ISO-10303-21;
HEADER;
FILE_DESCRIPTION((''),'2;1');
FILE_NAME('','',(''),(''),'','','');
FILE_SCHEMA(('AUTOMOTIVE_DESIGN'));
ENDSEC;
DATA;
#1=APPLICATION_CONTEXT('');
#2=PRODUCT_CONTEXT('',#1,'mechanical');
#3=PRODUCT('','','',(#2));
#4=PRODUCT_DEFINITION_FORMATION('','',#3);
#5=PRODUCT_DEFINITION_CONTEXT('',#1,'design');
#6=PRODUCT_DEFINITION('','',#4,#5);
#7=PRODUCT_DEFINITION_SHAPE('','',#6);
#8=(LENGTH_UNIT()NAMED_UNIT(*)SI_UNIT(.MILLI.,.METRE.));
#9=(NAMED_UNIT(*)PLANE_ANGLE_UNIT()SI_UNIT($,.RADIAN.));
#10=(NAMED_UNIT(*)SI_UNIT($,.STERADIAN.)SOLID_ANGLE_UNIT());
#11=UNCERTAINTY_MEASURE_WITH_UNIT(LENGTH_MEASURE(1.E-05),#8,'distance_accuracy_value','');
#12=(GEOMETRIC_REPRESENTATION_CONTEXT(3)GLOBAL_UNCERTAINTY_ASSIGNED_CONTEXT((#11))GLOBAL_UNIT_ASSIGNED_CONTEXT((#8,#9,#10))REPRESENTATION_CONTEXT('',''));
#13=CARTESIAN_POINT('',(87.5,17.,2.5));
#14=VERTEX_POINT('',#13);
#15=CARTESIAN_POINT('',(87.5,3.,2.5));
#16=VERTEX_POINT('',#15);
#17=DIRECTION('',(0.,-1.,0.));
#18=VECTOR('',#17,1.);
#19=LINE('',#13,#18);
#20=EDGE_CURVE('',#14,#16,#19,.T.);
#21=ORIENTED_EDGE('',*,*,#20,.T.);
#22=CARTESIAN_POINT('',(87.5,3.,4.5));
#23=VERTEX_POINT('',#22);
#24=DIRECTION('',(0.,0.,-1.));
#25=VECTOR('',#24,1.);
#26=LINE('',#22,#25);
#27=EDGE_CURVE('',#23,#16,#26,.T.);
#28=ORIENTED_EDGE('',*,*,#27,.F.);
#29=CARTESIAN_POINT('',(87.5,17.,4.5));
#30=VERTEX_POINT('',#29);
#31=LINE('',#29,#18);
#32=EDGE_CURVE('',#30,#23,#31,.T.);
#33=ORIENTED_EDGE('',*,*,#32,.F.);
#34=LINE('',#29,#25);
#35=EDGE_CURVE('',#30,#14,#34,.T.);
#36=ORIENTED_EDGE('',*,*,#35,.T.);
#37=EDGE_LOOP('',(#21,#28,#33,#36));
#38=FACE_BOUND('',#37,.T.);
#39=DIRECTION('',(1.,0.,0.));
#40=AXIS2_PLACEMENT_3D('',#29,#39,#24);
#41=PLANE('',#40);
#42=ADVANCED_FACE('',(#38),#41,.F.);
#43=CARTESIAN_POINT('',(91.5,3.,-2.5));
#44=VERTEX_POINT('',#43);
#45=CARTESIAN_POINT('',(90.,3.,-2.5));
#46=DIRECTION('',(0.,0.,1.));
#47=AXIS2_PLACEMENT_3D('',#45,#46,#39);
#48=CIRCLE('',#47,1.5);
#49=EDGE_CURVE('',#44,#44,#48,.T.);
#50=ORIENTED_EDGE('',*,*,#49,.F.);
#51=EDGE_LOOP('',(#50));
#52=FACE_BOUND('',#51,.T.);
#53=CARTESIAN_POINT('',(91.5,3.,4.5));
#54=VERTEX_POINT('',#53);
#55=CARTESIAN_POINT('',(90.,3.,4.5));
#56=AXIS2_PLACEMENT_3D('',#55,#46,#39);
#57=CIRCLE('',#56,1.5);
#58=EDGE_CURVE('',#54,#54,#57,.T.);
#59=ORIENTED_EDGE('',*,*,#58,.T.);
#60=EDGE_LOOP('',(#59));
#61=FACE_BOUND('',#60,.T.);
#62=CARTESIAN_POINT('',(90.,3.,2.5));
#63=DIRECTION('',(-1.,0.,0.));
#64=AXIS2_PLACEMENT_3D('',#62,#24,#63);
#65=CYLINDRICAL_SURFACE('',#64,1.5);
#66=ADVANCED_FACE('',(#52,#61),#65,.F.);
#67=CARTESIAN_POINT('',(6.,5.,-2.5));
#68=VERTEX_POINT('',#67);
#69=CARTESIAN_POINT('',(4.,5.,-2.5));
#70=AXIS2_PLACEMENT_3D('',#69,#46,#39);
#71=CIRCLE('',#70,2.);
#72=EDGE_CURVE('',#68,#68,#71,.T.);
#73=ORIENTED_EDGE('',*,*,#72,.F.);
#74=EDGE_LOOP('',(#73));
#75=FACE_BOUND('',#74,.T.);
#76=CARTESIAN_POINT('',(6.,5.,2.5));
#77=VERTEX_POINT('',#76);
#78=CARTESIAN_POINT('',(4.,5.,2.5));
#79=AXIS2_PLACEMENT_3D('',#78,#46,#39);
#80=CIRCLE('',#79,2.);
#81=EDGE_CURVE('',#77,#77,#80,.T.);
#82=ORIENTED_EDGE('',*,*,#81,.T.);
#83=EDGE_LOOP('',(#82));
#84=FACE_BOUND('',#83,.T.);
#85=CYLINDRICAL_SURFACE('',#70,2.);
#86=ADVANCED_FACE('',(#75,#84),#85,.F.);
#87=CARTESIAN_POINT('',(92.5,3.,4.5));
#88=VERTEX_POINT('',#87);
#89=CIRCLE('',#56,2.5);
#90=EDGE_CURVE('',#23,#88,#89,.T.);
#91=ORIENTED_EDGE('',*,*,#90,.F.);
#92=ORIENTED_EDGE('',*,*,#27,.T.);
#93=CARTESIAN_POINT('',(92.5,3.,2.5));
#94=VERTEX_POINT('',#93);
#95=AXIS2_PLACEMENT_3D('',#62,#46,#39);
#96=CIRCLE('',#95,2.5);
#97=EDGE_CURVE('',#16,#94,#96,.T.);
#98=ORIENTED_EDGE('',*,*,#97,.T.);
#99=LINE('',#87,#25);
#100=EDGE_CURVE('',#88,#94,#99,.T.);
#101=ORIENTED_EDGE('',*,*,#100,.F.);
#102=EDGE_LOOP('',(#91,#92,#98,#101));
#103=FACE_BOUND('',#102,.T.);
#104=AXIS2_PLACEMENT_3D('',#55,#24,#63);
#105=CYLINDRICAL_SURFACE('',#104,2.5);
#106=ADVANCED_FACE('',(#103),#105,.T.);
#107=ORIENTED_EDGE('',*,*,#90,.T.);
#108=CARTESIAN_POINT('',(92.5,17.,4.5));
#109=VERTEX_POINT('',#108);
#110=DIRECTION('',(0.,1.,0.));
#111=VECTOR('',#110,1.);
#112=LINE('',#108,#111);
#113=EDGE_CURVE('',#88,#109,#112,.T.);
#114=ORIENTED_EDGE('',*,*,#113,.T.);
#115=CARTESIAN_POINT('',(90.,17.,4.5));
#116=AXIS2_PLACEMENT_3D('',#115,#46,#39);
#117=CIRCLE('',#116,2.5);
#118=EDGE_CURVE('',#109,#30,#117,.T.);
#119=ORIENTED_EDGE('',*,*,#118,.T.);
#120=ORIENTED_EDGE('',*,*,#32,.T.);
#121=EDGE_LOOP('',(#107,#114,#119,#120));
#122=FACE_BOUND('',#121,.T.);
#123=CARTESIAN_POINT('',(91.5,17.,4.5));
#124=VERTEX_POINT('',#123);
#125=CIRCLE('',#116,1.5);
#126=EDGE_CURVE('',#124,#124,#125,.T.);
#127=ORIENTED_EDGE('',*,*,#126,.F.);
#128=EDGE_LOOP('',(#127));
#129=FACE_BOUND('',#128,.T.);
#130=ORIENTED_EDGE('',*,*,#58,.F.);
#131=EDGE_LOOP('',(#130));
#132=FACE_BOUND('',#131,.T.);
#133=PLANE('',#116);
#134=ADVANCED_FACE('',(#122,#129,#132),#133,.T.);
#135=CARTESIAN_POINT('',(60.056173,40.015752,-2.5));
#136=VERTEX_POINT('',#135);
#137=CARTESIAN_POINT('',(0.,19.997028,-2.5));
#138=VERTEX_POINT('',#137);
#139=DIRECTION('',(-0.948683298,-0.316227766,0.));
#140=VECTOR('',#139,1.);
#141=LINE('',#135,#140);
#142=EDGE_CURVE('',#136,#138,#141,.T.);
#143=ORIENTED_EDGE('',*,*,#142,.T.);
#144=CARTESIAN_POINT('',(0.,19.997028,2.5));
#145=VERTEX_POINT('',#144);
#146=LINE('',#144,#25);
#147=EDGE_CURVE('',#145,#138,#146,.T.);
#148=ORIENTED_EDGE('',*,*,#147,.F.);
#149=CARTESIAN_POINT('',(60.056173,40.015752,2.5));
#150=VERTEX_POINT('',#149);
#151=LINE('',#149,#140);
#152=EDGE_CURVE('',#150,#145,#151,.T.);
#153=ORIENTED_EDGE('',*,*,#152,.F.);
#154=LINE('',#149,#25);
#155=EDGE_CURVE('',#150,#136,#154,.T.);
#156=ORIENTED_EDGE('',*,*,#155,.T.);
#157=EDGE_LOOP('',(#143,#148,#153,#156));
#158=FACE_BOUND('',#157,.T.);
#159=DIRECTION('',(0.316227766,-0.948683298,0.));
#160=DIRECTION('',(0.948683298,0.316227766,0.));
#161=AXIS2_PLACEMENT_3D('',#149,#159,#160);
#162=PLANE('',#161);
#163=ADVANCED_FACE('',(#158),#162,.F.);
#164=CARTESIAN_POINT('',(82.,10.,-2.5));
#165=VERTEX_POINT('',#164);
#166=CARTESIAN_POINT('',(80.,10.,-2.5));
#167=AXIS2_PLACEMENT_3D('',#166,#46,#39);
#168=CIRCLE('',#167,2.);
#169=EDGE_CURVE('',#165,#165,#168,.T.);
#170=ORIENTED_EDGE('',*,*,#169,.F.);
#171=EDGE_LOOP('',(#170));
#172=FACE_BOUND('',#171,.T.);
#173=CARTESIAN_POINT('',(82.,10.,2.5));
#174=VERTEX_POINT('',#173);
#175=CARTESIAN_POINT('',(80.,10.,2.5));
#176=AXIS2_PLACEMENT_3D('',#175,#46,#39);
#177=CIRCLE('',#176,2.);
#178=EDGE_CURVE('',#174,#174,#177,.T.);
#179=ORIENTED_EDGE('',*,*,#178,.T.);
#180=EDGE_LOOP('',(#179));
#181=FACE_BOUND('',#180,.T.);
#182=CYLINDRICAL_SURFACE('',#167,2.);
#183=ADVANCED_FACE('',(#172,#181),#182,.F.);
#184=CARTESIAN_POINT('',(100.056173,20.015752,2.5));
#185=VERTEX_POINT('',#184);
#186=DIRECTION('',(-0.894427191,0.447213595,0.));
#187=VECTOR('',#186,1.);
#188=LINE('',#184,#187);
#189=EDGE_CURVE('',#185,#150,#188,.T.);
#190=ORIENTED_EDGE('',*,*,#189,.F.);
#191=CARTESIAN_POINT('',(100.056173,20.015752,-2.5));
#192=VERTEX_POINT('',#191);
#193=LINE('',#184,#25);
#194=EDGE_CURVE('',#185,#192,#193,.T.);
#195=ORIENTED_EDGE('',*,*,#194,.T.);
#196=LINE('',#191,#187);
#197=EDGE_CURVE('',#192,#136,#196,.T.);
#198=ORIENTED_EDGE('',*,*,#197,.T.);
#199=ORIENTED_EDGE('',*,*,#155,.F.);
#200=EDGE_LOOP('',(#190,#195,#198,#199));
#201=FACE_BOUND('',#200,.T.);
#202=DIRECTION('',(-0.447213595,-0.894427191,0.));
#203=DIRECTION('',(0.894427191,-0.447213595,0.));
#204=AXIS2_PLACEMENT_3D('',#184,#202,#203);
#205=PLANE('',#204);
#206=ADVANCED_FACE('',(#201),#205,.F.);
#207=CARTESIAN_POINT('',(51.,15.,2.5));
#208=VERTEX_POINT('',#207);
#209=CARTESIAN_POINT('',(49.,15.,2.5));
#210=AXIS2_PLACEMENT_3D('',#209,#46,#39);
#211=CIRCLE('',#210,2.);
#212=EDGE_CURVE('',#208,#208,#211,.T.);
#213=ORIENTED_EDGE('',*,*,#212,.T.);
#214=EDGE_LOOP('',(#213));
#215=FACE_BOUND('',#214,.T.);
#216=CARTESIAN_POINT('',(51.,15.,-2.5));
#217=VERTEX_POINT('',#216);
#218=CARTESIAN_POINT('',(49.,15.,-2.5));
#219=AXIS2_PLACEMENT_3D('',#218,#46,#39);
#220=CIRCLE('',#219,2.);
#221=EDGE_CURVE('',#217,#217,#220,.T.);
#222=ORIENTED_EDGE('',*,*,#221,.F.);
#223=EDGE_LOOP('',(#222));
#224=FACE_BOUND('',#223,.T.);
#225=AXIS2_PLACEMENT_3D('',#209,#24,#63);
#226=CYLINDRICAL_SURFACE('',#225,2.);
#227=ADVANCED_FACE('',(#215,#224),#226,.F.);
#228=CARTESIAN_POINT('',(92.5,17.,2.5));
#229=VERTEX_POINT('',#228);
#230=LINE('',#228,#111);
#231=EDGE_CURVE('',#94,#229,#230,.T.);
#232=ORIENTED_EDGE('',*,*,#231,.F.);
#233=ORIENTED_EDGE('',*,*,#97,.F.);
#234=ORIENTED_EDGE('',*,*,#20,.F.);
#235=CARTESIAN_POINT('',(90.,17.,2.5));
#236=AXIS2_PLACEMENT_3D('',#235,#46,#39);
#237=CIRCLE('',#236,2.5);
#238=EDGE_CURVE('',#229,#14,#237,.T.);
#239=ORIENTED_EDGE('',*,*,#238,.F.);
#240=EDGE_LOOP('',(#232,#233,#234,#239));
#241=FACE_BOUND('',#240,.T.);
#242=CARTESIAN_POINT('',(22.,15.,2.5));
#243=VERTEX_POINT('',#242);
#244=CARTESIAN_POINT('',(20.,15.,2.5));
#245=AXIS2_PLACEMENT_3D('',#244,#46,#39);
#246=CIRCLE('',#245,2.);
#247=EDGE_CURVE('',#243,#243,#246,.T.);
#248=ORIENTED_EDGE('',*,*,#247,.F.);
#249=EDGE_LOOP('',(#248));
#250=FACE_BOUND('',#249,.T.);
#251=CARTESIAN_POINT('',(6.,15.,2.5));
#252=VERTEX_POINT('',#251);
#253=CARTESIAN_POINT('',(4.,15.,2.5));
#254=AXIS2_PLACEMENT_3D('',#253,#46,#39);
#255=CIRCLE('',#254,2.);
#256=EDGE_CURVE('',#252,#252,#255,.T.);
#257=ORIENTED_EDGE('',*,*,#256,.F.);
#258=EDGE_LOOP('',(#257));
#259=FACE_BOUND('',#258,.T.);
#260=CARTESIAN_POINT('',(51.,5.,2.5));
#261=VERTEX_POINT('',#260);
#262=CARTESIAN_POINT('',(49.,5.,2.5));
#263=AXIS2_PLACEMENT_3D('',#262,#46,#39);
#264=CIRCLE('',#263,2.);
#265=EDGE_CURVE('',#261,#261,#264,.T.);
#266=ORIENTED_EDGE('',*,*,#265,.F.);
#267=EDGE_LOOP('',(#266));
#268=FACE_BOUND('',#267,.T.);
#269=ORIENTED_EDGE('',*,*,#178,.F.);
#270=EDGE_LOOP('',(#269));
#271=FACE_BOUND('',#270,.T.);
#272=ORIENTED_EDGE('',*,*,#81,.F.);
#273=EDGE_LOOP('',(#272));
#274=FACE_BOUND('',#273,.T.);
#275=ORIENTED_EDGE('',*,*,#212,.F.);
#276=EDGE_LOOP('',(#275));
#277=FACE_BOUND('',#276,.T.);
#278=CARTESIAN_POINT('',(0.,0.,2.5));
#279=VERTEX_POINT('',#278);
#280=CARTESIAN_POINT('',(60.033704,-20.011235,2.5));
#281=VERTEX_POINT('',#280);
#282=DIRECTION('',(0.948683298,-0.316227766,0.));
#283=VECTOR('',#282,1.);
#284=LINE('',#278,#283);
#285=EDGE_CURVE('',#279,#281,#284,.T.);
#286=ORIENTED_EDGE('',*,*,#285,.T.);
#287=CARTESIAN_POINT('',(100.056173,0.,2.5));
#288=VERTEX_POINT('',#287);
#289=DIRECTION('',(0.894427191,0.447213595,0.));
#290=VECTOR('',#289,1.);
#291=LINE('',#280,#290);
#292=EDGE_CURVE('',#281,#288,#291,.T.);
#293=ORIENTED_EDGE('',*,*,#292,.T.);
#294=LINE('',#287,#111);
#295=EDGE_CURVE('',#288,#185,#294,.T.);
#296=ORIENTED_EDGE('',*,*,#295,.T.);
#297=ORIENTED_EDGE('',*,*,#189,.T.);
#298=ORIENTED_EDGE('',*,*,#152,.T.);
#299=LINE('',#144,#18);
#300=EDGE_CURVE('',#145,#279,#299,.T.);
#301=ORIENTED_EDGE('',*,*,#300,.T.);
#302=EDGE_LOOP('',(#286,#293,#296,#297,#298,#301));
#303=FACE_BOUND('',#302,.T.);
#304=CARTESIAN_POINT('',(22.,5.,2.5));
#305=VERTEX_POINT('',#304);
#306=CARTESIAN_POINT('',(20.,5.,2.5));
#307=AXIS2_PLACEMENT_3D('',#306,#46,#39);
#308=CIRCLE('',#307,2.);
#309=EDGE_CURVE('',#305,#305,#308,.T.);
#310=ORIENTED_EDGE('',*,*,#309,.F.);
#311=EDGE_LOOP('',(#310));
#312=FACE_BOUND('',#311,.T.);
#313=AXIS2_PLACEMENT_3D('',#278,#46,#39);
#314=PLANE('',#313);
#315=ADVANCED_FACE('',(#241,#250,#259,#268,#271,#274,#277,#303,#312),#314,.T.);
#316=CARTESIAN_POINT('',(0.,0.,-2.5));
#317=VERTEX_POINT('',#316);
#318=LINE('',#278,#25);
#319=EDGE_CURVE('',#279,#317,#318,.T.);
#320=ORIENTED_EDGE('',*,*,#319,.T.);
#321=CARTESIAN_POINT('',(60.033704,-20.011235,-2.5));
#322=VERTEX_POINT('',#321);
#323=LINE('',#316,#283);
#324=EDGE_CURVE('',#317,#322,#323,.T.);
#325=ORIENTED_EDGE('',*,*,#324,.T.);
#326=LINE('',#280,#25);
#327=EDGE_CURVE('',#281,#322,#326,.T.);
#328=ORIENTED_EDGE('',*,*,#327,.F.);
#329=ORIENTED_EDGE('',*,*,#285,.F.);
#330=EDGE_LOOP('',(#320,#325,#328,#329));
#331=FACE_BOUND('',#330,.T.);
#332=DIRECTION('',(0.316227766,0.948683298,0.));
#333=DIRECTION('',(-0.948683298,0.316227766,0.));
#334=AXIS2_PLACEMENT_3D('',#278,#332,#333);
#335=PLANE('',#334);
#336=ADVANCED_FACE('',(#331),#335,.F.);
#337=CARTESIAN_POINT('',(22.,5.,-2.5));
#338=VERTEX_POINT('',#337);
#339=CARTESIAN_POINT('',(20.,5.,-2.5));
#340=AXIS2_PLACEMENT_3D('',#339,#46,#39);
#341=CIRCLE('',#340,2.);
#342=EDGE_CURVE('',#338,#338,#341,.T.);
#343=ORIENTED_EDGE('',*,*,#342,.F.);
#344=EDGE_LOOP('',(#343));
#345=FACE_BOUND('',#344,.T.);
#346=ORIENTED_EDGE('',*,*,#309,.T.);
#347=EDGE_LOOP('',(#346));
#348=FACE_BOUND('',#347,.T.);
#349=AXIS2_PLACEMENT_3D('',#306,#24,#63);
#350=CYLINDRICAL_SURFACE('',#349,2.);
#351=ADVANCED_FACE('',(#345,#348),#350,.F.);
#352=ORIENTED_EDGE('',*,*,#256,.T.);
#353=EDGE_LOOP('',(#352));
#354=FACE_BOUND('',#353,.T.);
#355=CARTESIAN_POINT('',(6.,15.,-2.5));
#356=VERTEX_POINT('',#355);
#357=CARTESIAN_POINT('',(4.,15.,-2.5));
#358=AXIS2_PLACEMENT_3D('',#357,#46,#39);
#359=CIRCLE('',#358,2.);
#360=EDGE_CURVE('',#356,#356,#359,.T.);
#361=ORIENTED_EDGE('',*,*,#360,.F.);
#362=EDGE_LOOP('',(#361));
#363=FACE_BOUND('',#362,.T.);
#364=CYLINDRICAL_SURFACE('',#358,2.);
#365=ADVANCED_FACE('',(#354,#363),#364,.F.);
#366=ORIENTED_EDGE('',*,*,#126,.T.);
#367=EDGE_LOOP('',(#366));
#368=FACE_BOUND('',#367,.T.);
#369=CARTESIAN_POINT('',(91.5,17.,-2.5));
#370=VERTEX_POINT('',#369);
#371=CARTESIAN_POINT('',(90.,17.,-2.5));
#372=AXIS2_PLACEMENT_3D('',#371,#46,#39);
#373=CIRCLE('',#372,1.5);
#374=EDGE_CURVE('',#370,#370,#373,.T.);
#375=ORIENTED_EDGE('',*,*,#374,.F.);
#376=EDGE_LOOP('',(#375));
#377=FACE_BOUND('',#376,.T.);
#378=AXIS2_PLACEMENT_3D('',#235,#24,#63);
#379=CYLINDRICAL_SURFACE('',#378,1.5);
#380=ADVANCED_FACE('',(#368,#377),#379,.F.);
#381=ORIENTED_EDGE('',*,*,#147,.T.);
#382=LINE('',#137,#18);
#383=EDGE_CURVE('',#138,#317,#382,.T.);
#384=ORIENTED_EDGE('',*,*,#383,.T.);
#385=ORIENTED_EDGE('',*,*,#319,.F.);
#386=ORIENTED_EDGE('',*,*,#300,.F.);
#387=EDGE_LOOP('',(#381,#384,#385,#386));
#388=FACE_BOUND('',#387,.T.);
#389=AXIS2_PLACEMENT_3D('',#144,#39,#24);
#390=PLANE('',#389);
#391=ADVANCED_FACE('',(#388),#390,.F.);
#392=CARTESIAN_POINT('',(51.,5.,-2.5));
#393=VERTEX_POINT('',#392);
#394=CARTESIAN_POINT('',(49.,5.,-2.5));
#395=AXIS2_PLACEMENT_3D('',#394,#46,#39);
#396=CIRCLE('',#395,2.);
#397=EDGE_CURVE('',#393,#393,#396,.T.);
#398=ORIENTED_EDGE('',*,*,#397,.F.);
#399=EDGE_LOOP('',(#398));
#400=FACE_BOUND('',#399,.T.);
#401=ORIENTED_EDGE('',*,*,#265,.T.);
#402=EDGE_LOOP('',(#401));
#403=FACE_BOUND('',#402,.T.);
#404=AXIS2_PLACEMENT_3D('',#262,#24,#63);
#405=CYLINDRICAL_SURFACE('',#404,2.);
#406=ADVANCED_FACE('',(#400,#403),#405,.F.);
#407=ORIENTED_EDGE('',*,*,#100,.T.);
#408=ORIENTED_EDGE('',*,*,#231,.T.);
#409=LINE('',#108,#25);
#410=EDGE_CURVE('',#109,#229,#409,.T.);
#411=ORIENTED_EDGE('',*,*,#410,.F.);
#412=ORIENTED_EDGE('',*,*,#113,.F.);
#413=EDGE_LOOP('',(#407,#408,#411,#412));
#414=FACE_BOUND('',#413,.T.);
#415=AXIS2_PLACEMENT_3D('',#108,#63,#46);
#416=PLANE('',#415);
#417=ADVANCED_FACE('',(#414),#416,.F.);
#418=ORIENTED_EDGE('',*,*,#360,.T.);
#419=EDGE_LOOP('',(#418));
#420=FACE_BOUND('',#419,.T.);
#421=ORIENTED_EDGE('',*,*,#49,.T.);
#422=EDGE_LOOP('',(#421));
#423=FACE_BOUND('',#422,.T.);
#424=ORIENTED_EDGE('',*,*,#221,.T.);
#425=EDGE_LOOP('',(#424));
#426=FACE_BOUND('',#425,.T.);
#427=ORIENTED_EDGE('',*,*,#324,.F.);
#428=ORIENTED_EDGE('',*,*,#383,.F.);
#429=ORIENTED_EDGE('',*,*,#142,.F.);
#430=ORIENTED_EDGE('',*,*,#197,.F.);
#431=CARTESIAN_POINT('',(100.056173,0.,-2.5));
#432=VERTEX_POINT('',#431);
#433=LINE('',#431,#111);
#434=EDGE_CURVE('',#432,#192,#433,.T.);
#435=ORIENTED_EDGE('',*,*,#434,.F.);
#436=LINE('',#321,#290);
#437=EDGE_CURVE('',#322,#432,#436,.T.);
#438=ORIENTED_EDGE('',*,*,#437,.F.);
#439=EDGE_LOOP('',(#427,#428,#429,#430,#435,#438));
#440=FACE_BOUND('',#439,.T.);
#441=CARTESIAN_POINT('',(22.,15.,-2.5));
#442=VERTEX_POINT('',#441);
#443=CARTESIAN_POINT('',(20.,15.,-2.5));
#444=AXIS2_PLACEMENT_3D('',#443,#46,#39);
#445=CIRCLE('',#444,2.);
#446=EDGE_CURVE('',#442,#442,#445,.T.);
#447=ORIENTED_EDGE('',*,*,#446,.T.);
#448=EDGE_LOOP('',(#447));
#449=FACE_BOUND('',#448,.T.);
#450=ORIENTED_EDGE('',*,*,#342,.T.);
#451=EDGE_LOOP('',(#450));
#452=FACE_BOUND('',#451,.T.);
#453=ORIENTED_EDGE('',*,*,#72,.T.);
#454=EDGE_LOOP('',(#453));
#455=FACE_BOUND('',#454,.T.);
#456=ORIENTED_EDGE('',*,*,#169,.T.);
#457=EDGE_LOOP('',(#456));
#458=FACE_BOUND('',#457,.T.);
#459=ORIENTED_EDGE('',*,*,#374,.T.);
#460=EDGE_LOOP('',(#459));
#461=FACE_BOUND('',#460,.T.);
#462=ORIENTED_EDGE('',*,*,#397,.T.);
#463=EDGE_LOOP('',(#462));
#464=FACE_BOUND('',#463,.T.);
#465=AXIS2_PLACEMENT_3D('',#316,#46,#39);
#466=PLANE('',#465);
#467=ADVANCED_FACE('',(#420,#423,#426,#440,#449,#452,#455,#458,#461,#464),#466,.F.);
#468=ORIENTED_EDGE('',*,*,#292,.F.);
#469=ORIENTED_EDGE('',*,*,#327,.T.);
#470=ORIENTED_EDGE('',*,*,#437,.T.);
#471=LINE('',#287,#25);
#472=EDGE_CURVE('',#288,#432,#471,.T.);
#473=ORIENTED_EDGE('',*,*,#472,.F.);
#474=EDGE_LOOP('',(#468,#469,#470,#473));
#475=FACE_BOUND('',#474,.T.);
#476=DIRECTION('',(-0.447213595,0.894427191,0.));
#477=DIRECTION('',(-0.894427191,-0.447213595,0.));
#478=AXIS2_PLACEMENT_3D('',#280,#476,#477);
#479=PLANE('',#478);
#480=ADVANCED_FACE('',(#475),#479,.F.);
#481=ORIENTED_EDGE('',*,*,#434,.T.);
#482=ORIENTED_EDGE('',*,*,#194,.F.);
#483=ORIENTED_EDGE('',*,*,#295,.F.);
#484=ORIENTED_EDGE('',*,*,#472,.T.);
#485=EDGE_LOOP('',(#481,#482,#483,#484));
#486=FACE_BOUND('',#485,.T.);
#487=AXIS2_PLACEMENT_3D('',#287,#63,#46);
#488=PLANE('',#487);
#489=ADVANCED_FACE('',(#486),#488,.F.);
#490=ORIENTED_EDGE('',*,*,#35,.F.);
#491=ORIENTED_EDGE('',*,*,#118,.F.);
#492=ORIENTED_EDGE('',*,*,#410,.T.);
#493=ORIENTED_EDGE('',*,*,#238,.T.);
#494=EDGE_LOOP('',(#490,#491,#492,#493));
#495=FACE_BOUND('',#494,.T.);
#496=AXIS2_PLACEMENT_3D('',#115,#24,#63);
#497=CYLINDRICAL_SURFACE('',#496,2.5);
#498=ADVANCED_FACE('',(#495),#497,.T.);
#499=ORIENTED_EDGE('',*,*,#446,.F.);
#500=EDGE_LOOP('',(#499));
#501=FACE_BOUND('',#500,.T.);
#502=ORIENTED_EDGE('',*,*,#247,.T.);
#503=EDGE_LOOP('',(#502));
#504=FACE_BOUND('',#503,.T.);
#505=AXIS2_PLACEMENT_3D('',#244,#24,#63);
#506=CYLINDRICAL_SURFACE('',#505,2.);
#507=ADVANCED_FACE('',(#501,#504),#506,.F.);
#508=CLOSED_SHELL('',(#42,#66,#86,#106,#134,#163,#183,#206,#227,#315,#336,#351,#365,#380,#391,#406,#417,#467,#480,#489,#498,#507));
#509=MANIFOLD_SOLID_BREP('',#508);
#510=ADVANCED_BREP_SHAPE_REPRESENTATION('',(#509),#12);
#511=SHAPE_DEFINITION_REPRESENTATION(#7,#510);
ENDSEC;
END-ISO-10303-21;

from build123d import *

# Parameters (mm, degrees)
SKETCH_1_R          = 2
SKETCH_1_R_2        = 1.5
EXTRUDE_1_DEPTH     = 2.5
SKETCH_2_R          = 2
CUT_EXTRUDE_1_DEPTH = 2.5
SKETCH_3_R          = 1.5
EXTRUDE_2_DEPTH     = 2


with BuildPart() as part:
    # 草图1 → 凸台-拉伸1 (new, symmetric)
    with BuildSketch(Plane.XY):
        Polygon((0, 0), (60.033704039, -20.01123468), (100.056173399, 0), (100.056173399, 20.015752082), (60.056173399, 40.015752082), (0, 19.997027615), align=None)
        with Locations((20, 5)):
            Circle(SKETCH_1_R, mode=Mode.SUBTRACT)
        with Locations((20, 15)):
            Circle(SKETCH_1_R, mode=Mode.SUBTRACT)
        with Locations((49, 5)):
            Circle(SKETCH_1_R, mode=Mode.SUBTRACT)
        with Locations((49, 15)):
            Circle(SKETCH_1_R, mode=Mode.SUBTRACT)
        with Locations((90, 17)):
            Circle(SKETCH_1_R_2, mode=Mode.SUBTRACT)
        with Locations((90, 3)):
            Circle(SKETCH_1_R_2, mode=Mode.SUBTRACT)
    extrude(amount=EXTRUDE_1_DEPTH, both=True)

    # 草图2 → 切除-拉伸1 (cut, symmetric)
    with BuildSketch(Plane.XY):
        with Locations((80, 10)):
            Circle(SKETCH_2_R)
        with Locations((4, 5)):
            Circle(SKETCH_2_R)
        with Locations((4, 15)):
            Circle(SKETCH_2_R)
    extrude(amount=CUT_EXTRUDE_1_DEPTH, both=True, mode=Mode.SUBTRACT)

    # 草图3 → 凸台-拉伸2 (add)
    with BuildSketch(Plane.XY.offset(2.5)):
        with BuildLine():
            Line((92.5, 17), (92.5, 3))
            ThreePointArc((92.5, 3), (90, 0.5), (87.5, 3))
            Line((87.5, 3), (87.5, 17))
            ThreePointArc((87.5, 17), (90, 19.5), (92.5, 17))
        make_face()
        with Locations((90, 17)):
            Circle(SKETCH_3_R, mode=Mode.SUBTRACT)
        with Locations((90, 3)):
            Circle(SKETCH_3_R, mode=Mode.SUBTRACT)
    extrude(amount=EXTRUDE_2_DEPTH)


solid = part.part
